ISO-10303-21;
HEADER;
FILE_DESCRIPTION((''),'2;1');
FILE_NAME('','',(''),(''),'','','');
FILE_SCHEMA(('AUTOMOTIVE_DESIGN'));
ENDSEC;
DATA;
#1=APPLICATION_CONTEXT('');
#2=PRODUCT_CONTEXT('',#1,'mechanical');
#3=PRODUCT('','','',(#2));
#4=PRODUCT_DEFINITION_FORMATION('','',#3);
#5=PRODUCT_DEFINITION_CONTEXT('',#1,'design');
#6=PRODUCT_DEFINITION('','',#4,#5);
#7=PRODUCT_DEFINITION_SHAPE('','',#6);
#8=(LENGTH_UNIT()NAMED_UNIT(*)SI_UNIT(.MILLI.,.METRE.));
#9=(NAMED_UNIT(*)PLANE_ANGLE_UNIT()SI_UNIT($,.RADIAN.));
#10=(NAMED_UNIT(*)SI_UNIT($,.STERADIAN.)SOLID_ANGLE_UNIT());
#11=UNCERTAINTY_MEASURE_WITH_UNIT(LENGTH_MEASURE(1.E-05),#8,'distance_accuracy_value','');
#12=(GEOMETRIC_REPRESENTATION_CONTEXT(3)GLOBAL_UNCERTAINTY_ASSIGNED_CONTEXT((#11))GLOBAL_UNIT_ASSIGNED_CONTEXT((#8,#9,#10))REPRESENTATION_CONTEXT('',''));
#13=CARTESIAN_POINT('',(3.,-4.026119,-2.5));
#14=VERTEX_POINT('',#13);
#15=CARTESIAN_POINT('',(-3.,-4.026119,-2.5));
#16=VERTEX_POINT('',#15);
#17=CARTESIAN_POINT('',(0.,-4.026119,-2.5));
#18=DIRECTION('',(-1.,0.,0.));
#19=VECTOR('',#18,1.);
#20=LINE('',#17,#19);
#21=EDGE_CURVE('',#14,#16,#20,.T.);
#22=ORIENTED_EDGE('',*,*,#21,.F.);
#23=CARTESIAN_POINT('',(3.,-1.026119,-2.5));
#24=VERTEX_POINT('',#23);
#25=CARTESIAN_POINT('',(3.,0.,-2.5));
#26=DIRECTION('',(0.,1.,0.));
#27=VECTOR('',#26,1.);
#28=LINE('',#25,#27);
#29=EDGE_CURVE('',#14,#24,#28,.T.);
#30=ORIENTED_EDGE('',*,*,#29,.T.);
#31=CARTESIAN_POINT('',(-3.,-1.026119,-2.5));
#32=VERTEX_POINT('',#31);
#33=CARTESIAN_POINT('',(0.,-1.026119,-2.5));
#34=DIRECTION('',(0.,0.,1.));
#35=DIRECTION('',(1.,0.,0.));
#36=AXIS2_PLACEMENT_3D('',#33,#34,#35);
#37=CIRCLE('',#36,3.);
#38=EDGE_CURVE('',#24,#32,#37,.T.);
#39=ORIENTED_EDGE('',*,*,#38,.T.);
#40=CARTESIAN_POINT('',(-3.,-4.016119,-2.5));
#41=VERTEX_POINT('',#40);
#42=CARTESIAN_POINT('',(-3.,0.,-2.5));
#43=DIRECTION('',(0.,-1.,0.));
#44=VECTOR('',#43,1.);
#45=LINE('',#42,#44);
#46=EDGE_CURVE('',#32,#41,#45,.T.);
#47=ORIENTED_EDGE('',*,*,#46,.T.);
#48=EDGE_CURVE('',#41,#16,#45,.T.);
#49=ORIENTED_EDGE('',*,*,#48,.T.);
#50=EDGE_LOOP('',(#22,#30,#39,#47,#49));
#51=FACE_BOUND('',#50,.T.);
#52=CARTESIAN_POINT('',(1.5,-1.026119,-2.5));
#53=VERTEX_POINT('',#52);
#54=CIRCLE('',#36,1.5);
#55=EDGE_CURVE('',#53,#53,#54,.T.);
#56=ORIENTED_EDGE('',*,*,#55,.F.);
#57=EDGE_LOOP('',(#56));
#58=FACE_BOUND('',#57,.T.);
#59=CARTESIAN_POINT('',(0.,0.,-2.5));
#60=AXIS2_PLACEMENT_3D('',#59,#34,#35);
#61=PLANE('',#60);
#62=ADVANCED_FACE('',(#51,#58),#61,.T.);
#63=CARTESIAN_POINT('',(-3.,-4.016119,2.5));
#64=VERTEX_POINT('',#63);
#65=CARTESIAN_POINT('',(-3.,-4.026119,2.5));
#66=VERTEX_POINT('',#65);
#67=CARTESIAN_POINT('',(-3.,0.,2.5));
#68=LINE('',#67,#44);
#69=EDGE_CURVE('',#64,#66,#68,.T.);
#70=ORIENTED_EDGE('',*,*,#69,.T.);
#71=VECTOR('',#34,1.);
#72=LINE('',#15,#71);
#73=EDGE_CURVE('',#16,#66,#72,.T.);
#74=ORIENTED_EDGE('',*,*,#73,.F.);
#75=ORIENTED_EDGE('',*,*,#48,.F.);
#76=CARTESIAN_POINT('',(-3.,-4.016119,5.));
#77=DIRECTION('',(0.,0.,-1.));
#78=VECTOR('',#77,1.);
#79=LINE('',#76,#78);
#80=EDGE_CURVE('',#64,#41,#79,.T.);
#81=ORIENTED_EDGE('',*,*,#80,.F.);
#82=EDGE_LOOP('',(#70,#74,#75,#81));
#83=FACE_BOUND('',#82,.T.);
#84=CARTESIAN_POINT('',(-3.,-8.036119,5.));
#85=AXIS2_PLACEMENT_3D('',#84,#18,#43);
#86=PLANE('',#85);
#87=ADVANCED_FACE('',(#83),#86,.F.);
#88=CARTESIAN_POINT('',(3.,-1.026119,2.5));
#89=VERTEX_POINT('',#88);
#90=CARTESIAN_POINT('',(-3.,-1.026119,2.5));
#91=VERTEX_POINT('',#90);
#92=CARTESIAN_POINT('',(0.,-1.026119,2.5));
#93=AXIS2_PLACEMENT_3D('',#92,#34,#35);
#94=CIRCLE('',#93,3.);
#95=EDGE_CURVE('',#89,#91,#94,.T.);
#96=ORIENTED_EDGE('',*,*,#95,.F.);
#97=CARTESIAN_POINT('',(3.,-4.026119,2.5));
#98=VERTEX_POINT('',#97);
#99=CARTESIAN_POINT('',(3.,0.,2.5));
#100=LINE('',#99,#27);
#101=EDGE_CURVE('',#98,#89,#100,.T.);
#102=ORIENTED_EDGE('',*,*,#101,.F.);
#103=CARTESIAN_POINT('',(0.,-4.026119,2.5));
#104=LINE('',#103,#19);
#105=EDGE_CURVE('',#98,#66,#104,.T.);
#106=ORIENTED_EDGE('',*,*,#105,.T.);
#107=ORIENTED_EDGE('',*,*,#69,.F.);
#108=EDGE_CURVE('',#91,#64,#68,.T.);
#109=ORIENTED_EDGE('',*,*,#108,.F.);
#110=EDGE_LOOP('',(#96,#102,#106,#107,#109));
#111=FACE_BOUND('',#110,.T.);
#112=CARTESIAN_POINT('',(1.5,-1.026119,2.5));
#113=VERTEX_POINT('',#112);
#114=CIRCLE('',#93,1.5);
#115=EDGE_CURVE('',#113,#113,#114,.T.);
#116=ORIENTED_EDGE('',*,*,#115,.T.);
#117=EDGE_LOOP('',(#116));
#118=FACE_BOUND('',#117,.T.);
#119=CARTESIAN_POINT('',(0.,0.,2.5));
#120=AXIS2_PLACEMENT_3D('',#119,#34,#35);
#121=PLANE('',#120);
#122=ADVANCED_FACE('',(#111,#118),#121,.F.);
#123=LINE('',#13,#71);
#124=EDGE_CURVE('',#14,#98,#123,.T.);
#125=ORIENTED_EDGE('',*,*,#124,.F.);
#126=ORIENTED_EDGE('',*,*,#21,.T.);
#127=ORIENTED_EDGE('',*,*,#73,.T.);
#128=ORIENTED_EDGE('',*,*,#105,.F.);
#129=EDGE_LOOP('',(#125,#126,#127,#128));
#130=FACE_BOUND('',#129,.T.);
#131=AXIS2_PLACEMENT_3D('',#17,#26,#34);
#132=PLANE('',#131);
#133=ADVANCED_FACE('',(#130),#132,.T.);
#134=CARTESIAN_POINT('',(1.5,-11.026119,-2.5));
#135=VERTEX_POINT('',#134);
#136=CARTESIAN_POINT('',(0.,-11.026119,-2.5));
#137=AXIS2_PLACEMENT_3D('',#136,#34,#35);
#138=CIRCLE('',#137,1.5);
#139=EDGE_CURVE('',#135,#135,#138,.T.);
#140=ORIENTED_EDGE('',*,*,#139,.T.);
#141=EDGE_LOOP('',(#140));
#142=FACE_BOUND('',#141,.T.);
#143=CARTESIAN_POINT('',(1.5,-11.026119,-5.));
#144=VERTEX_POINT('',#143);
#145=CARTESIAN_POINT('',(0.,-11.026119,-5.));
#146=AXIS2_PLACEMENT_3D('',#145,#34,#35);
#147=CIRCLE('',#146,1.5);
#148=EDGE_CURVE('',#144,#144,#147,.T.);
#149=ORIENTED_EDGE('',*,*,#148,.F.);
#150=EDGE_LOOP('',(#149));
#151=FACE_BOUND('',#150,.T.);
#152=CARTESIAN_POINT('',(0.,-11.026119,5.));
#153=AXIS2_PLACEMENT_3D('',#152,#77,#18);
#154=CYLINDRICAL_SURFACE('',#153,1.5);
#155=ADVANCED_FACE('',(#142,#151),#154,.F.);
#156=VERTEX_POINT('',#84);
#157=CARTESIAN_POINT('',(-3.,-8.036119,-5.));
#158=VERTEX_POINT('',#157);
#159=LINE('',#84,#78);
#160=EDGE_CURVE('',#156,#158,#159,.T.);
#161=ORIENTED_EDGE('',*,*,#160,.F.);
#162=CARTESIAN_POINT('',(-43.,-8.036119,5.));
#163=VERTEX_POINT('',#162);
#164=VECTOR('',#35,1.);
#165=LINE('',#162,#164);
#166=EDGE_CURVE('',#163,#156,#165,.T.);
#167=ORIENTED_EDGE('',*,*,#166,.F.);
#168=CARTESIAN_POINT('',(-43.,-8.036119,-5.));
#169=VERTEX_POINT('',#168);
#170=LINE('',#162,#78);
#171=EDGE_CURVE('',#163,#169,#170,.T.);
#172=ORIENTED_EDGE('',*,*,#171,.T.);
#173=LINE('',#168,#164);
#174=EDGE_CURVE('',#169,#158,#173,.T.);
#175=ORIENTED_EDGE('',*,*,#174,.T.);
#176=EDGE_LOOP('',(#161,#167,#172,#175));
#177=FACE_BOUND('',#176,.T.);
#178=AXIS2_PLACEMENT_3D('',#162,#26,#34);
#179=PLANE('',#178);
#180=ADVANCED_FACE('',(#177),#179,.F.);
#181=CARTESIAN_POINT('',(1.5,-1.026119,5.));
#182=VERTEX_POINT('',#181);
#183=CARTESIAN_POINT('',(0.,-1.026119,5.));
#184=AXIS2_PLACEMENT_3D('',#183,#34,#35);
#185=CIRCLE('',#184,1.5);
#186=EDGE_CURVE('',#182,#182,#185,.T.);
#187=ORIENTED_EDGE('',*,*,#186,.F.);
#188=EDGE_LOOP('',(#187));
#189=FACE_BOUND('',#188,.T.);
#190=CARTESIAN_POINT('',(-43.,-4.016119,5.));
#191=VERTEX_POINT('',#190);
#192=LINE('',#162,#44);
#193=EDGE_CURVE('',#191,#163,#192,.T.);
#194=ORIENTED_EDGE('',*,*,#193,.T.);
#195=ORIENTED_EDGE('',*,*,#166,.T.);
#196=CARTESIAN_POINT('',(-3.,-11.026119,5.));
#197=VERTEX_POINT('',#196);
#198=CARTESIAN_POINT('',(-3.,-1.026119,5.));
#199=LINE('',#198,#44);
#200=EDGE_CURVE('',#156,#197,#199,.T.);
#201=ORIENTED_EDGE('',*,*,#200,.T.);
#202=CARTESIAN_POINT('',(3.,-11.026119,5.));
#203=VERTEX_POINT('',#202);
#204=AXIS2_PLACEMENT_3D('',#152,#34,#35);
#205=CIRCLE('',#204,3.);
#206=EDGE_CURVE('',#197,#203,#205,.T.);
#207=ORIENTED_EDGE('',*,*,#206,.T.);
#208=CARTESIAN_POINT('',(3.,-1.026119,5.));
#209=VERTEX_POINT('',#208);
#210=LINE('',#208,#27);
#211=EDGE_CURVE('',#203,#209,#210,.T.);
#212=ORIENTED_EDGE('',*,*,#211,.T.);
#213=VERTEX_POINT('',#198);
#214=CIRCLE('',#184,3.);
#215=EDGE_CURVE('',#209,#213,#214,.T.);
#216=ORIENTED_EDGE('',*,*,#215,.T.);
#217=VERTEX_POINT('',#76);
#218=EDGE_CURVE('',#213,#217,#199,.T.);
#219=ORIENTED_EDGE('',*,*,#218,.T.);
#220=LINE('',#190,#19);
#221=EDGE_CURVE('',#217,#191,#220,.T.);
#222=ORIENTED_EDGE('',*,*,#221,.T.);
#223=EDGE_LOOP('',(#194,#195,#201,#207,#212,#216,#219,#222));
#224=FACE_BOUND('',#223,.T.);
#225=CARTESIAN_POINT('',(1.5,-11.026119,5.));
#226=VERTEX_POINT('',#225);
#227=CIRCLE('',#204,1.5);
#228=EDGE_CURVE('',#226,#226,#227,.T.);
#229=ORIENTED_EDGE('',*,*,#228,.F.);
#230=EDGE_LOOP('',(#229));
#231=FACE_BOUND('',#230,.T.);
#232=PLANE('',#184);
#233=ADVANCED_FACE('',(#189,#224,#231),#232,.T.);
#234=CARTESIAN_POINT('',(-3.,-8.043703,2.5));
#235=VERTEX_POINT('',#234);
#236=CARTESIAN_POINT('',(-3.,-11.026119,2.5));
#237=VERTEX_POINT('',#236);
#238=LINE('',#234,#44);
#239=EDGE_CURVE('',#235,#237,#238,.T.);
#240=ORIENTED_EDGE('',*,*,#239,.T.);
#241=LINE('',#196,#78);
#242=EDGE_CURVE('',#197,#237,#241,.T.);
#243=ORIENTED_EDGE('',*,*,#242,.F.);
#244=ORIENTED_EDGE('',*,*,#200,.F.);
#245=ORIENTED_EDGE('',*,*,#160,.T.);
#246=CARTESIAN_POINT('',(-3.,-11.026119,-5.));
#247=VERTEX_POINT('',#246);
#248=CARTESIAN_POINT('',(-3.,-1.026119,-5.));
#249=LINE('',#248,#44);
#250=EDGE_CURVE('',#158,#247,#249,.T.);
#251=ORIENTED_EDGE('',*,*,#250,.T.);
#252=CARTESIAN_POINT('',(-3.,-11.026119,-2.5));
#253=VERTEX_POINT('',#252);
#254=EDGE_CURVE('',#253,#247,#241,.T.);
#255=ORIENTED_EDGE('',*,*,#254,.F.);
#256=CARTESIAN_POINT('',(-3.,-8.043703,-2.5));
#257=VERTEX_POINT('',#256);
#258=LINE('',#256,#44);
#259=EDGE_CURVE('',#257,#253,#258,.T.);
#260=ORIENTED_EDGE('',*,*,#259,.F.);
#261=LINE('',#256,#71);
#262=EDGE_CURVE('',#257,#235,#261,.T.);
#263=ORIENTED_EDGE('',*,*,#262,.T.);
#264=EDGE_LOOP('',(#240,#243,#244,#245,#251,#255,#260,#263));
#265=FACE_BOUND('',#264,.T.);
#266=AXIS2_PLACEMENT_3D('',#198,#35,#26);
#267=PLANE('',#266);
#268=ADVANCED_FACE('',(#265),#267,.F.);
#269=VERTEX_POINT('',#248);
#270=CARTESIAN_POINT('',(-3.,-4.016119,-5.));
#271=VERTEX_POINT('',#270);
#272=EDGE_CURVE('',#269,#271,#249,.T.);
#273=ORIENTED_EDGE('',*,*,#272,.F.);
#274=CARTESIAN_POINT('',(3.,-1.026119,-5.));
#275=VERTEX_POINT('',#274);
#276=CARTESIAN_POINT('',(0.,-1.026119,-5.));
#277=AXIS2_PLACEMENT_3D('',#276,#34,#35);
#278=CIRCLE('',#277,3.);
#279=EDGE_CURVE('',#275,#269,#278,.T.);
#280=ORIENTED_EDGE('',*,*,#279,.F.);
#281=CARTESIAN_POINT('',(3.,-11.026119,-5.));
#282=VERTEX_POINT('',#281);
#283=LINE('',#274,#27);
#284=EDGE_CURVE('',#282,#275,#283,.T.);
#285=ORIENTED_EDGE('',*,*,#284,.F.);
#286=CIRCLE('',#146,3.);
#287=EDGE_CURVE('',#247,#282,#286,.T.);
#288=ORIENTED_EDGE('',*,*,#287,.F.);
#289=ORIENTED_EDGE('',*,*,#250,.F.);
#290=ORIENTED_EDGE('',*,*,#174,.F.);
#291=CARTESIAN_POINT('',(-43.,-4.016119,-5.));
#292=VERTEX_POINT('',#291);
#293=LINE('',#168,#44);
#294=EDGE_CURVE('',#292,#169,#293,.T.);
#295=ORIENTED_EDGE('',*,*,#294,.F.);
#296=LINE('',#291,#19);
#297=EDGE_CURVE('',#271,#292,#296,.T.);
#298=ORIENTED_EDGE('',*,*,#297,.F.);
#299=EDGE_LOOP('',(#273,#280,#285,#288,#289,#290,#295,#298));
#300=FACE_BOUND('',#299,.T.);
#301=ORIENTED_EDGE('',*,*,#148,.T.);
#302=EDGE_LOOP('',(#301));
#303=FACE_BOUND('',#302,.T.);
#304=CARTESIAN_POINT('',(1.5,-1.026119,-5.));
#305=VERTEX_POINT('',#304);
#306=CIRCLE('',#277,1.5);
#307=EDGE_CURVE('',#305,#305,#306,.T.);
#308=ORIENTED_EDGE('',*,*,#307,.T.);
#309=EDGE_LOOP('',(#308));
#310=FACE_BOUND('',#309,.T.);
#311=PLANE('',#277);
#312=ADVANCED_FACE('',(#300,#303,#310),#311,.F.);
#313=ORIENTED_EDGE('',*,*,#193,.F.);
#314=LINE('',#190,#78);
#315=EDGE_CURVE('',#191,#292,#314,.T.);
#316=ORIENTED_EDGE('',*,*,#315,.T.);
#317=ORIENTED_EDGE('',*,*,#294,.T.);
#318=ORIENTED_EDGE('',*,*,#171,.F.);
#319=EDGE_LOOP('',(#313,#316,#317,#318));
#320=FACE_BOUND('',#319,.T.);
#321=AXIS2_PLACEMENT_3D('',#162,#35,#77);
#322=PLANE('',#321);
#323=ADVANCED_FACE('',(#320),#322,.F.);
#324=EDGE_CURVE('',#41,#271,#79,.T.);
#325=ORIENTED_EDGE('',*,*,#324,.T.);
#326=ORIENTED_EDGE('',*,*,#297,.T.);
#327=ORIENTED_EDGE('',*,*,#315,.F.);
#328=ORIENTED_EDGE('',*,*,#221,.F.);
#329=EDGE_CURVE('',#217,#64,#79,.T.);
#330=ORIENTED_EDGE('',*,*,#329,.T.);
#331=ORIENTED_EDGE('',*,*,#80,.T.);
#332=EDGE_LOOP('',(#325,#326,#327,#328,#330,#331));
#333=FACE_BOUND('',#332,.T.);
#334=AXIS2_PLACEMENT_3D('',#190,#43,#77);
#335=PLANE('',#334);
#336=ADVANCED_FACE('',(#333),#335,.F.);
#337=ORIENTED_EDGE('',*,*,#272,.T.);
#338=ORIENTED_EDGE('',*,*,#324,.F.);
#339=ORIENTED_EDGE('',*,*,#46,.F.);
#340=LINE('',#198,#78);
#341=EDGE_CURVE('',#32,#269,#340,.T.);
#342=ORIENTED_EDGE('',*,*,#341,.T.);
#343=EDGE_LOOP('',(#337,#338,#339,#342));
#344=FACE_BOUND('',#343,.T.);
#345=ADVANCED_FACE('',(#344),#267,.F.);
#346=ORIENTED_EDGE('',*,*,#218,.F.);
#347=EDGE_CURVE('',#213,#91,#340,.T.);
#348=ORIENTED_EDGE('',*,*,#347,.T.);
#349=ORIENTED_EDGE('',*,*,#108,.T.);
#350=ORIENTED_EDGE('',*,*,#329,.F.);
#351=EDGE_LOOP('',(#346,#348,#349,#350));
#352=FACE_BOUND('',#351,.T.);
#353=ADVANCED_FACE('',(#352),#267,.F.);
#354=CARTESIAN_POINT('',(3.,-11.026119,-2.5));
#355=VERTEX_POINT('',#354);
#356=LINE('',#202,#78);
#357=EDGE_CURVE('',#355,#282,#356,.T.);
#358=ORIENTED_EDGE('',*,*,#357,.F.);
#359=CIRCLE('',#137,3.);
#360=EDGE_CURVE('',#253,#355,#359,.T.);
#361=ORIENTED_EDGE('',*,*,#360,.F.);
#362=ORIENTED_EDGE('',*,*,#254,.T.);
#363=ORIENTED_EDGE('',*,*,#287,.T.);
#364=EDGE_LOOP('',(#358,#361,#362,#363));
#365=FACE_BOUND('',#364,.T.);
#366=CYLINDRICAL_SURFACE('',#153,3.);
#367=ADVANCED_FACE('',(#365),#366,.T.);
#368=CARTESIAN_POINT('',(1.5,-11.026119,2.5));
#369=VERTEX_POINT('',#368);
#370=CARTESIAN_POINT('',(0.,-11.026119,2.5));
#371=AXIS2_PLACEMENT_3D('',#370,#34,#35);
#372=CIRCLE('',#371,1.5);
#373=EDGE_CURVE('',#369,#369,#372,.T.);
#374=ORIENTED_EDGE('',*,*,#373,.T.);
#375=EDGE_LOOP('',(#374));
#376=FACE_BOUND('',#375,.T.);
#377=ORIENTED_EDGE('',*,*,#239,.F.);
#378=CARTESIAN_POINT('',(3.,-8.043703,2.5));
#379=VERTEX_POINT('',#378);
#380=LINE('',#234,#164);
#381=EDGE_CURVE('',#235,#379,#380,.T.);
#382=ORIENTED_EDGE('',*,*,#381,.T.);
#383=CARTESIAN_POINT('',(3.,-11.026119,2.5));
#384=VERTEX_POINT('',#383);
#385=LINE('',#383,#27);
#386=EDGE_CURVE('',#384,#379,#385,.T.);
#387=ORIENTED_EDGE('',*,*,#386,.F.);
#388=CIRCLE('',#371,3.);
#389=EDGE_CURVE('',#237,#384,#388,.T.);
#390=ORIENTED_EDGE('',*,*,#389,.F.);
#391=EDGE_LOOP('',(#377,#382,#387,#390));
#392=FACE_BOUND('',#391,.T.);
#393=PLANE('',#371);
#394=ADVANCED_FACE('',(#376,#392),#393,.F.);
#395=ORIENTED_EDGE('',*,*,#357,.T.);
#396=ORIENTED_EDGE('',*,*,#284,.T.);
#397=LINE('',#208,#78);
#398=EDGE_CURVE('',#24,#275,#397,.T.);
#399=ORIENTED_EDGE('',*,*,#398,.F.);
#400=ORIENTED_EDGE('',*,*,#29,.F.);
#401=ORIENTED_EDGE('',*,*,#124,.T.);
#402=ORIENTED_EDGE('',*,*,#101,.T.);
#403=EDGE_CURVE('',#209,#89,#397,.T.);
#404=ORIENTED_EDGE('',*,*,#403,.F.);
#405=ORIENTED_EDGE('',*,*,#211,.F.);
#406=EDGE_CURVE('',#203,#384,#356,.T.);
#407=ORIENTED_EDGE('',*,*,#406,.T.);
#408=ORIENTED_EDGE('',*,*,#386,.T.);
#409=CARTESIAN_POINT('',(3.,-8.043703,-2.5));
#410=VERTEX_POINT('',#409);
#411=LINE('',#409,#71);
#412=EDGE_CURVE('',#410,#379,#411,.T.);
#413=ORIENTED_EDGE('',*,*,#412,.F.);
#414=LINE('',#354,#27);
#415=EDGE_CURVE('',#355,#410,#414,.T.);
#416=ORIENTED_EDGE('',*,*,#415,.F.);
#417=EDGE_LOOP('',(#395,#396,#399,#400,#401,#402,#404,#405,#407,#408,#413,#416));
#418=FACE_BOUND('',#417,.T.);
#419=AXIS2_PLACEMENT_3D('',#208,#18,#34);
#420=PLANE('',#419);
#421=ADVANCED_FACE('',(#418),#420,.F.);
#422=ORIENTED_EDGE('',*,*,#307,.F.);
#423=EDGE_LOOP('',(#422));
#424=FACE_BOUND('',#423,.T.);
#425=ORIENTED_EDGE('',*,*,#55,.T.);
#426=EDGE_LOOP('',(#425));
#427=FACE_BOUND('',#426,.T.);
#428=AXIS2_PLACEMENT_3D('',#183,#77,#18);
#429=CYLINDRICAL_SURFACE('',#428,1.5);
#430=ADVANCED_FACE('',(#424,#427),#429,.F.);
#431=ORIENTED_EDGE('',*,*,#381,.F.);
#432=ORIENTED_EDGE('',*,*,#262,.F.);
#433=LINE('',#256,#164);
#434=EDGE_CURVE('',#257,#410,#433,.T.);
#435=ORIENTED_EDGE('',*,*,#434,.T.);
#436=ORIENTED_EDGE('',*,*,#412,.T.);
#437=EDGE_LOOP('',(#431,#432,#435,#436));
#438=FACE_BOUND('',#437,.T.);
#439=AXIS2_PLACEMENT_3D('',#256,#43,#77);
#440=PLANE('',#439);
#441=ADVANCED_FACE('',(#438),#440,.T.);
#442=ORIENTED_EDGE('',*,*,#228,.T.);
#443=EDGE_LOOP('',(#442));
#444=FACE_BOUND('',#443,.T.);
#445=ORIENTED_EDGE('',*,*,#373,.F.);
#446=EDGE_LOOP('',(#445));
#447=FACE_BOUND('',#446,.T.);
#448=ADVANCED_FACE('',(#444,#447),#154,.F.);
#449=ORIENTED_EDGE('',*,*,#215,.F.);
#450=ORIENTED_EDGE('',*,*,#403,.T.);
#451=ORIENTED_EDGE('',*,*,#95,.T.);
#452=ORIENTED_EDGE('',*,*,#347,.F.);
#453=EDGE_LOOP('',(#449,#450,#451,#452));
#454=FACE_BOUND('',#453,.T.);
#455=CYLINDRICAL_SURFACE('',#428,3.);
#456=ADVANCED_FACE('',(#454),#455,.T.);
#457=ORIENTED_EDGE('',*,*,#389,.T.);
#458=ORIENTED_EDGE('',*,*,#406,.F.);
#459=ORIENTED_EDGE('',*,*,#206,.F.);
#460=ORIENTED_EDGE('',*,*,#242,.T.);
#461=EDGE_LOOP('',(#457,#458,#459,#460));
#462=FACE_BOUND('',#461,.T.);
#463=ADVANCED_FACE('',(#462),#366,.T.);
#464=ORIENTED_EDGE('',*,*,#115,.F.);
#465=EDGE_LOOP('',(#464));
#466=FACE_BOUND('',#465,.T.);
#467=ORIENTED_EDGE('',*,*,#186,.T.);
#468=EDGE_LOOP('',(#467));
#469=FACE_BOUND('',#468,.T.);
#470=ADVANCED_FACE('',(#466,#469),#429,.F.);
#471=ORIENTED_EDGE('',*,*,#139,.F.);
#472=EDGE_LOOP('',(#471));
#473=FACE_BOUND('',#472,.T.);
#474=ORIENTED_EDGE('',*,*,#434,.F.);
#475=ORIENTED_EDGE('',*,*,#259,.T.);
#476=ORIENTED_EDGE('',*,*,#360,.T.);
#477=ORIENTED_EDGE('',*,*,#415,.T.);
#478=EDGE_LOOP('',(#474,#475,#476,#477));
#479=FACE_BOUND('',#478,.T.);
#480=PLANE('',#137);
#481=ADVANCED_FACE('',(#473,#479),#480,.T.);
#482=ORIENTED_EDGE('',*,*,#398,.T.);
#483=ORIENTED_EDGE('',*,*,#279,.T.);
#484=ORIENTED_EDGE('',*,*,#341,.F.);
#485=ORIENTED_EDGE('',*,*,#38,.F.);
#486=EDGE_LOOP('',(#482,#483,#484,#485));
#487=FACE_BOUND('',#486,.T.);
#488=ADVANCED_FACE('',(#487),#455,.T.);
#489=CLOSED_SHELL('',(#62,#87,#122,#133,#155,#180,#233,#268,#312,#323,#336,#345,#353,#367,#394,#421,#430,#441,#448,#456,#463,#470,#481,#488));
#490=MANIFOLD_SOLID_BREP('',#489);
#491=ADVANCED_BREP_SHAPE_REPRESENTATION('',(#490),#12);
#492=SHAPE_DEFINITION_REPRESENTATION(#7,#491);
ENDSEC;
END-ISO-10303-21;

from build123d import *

# Parameters (mm, degrees)
IZIM1_R                     = 1.5
Y_KSEKLIK_EKSTR_ZYON1_DEPTH = 5
KES_EKSTR_ZYON1_DEPTH       = 2.5
IZIM3_W                     = 40
IZIM3_H                     = 4.02
Y_KSEKLIK_EKSTR_ZYON7_DEPTH = 5


with BuildPart() as part:
    # Çizim1 → Yükseklik-Ekstrüzyon1 (new, symmetric)
    with BuildSketch(Plane.XY):
        with BuildLine():
            Line((-3, -1.02611879), (-3, -11.02611879))
            ThreePointArc((-3, -11.02611879), (0, -14.02611879), (3, -11.02611879))
            Line((3, -11.02611879), (3, -1.02611879))
            ThreePointArc((3, -1.02611879), (0, 1.97388121), (-3, -1.02611879))
        make_face()
        with Locations((0, -1.02611879)):
            Circle(IZIM1_R, mode=Mode.SUBTRACT)
        with Locations((0, -11.02611879)):
            Circle(IZIM1_R, mode=Mode.SUBTRACT)
    extrude(amount=Y_KSEKLIK_EKSTR_ZYON1_DEPTH, both=True)

    # Çizim2 → Kes-Ekstrüzyon1 (cut, symmetric)
    with BuildSketch(Plane.XY):
        with BuildLine():
            Line((-3, -1.02611879), (-3, -4.02611879))
            Line((-3, -4.02611879), (0, -4.02611879))
            Line((0, -4.02611879), (3, -4.02611879))
            Line((3, -4.02611879), (3, -1.02611879))
            ThreePointArc((3, -1.02611879), (0, 1.97388121), (-3, -1.02611879))
        make_face()
        with BuildLine():
            ThreePointArc((-3, -11.02611879), (0, -14.02611879), (3, -11.02611879))
            Line((3, -11.02611879), (3, -8.043702706))
            Line((3, -8.043702706), (-3, -8.043702706))
            Line((-3, -8.043702706), (-3, -11.02611879))
        make_face()
    extrude(amount=KES_EKSTR_ZYON1_DEPTH, both=True, mode=Mode.SUBTRACT)

    # Çizim3 → Yükseklik-Ekstrüzyon7 (add, symmetric)
    with BuildSketch(Plane.XY):
        with Locations((-23, -6.02611879)):
            Rectangle(IZIM3_W, IZIM3_H)
    extrude(amount=Y_KSEKLIK_EKSTR_ZYON7_DEPTH, both=True)


solid = part.part
